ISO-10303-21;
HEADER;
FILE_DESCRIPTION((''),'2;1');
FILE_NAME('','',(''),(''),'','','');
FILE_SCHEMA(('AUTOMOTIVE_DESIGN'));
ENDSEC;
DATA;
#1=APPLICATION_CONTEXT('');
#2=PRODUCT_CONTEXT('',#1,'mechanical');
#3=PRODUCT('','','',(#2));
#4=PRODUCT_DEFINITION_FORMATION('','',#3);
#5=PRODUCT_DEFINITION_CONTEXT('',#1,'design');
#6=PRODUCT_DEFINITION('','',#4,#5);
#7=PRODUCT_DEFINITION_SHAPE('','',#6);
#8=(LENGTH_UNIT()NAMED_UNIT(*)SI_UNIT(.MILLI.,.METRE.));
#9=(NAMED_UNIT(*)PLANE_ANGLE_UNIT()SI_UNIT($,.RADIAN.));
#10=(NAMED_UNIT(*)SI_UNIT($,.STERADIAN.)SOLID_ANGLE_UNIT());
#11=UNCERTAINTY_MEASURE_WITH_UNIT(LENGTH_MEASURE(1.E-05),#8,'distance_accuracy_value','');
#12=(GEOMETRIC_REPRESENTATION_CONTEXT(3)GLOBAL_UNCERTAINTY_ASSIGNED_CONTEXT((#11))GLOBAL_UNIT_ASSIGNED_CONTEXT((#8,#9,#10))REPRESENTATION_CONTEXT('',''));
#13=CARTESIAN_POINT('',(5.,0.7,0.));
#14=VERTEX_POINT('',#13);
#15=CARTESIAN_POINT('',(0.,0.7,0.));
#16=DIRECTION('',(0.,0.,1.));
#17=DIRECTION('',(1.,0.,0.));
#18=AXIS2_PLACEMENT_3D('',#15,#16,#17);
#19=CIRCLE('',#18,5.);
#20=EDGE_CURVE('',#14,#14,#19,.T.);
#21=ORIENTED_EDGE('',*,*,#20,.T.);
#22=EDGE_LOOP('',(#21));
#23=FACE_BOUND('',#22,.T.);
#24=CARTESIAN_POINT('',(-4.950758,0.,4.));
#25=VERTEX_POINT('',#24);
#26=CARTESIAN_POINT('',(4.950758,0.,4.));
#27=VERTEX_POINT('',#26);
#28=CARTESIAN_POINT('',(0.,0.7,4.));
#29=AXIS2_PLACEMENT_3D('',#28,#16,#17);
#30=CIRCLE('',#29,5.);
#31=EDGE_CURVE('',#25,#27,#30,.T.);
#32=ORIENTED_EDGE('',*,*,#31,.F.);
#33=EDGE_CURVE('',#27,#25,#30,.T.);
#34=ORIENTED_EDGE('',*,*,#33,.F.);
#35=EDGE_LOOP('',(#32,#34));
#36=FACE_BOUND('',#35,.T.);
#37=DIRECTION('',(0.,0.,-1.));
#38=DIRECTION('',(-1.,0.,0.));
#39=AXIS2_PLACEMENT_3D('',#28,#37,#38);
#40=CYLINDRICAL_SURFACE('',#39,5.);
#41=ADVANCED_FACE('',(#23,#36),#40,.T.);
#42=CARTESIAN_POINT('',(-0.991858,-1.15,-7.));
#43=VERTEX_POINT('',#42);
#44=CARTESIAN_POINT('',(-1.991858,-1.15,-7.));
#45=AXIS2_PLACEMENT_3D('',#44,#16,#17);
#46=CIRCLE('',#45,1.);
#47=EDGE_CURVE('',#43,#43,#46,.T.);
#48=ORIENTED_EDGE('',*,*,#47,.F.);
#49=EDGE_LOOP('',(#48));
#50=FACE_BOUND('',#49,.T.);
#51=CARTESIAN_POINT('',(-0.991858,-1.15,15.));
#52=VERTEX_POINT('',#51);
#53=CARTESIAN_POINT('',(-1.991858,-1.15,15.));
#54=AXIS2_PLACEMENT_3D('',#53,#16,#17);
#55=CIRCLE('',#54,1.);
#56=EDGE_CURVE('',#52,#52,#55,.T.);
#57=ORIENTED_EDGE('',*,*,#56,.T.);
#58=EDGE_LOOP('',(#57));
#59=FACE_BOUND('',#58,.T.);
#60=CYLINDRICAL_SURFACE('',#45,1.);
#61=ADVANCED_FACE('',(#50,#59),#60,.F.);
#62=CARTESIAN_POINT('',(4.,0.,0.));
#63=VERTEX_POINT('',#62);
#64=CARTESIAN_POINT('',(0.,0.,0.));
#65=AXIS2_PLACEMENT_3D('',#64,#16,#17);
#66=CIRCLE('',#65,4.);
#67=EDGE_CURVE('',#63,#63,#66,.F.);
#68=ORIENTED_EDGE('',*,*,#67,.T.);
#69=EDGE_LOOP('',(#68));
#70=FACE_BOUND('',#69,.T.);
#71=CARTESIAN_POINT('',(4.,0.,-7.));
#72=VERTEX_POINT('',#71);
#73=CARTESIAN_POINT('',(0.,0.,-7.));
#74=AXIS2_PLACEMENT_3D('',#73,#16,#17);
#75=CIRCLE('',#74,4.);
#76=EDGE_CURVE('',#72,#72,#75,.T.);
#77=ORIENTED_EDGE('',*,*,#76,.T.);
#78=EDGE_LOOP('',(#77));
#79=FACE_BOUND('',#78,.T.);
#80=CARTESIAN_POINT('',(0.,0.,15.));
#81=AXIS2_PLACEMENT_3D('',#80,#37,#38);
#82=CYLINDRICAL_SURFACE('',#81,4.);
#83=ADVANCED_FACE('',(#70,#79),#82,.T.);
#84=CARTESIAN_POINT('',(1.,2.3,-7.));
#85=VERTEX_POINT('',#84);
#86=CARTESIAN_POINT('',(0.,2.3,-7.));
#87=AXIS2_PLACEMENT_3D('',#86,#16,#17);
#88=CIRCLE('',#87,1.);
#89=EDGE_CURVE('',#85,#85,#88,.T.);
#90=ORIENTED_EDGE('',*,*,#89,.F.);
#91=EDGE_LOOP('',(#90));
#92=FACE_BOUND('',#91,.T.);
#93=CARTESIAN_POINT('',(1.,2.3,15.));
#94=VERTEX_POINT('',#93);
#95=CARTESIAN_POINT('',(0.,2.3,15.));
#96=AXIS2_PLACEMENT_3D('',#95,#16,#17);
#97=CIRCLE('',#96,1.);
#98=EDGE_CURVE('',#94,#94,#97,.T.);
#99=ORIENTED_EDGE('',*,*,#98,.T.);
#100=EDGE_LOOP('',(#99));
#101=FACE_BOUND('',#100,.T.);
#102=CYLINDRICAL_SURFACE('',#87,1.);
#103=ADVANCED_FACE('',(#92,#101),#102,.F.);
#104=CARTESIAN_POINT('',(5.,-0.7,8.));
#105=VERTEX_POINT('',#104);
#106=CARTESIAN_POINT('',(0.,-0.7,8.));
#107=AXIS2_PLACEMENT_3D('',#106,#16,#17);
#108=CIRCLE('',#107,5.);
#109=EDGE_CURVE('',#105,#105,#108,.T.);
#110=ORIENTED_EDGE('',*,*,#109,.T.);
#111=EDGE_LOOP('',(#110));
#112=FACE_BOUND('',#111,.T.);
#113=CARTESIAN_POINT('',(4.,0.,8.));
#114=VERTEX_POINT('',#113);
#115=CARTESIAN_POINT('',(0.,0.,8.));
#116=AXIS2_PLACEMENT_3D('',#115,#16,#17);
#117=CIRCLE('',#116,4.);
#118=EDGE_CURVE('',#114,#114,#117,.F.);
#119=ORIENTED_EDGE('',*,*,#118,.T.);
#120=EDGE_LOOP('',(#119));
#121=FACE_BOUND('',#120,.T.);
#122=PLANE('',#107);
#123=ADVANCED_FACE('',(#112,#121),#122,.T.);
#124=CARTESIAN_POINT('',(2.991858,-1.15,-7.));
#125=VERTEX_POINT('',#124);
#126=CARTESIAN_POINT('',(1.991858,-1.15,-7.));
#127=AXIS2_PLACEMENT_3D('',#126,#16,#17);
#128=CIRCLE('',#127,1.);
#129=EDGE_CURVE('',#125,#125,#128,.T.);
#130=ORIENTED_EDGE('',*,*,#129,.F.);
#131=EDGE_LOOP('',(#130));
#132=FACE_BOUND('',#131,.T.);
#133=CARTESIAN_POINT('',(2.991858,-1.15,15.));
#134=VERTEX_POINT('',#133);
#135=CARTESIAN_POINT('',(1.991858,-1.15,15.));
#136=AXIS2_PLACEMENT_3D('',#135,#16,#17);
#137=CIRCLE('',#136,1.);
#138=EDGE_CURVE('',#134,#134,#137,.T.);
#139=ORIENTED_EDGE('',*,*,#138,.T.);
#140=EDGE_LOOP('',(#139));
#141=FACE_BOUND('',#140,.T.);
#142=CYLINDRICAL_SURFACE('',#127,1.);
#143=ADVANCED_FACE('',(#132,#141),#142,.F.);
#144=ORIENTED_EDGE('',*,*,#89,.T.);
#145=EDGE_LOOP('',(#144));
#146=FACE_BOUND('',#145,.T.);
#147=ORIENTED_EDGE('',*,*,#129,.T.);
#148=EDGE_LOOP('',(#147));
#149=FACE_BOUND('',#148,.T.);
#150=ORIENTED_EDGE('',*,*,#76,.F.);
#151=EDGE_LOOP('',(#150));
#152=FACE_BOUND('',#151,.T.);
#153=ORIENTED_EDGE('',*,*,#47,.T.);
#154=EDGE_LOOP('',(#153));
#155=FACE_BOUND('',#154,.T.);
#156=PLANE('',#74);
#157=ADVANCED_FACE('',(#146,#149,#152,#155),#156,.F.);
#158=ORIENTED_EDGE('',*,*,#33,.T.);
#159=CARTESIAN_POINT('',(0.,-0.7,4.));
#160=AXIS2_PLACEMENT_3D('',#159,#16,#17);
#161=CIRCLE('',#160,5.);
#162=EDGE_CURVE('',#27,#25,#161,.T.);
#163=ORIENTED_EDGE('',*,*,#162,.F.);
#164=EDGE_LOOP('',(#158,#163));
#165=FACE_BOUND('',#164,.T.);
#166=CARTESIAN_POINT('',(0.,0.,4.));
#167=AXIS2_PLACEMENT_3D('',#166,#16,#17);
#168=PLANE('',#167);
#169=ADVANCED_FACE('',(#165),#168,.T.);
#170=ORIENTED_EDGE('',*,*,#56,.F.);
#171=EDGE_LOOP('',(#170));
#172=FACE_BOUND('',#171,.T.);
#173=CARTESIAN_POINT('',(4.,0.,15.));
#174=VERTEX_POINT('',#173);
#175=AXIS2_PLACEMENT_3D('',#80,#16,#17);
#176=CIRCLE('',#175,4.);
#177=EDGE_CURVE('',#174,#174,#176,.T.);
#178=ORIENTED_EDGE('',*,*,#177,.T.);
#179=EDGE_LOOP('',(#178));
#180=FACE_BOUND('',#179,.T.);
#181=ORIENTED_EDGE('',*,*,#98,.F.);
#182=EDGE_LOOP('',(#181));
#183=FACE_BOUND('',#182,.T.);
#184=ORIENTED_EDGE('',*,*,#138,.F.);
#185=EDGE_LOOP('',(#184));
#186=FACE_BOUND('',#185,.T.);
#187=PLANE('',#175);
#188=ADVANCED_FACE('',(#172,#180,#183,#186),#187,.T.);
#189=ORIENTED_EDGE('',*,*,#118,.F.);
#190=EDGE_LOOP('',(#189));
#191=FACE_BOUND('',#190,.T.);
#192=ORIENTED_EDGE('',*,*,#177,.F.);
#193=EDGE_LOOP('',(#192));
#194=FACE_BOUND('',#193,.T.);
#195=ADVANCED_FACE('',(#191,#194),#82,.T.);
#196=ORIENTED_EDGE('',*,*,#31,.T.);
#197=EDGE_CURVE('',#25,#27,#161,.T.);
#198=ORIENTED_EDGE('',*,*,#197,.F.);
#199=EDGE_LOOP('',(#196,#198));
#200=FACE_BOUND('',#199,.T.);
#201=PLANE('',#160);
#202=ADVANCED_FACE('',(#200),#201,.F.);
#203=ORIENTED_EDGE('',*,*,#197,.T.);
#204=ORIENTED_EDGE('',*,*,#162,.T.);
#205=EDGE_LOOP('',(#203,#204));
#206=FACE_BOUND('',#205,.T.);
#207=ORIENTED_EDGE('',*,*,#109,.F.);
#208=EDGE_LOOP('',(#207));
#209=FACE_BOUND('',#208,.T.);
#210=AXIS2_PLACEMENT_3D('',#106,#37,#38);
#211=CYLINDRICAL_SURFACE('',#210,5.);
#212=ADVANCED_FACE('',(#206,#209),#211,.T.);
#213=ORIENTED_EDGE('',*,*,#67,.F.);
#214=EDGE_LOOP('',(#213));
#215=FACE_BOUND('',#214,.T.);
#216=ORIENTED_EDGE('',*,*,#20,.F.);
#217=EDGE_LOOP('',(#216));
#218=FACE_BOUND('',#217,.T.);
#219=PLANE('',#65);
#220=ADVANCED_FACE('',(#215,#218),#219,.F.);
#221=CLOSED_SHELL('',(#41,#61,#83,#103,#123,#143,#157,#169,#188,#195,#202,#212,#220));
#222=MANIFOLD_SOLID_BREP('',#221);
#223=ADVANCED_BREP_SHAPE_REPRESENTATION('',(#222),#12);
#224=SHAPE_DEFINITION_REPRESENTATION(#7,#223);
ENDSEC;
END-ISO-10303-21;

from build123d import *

# Parameters (mm, degrees)
SKETCH1_R                = 5
BOSS_EXTRUDE1_DEPTH      = 4
BOSS_EXTRUDE2_START      = 4
SKETCH2_R                = 5
BOSS_EXTRUDE2_DEPTH      = 4
BOSS_EXTRUDE5_DEPTH      = 15
BOSS_EXTRUDE5_DEPTH_BACK = 7
SKETCH5_R                = 4
CUT_EXTRUDE1_DEPTH       = 17.807438829
CUT_EXTRUDE1_DEPTH_BACK  = 17.807438829
SKETCH9_R                = 1


with BuildPart() as part:
    # Sketch1 → Boss-Extrude1 (new body)
    with BuildSketch(Plane.XY):
        with Locations((0, 0.7)):
            Circle(SKETCH1_R)
    extrude(amount=BOSS_EXTRUDE1_DEPTH)

    # Sketch2 → Boss-Extrude2 (add)
    with BuildSketch(Plane.XY.offset(BOSS_EXTRUDE2_START)):
        with Locations(Location((0, -0.7, 0), (0, 0, 171.952153753))):
            Circle(SKETCH2_R)
    extrude(amount=BOSS_EXTRUDE2_DEPTH)

    # Sketch5 → Boss-Extrude5 (add, two sides: drawn at the far end of the back side and taken through both)
    with BuildSketch(Plane.XY.offset(-BOSS_EXTRUDE5_DEPTH_BACK)):
        Circle(SKETCH5_R)
    extrude(amount=BOSS_EXTRUDE5_DEPTH + BOSS_EXTRUDE5_DEPTH_BACK)

    # Sketch9 → Cut-Extrude1 (cut, two sides: drawn at the far end of the back side and taken through both)
    with BuildSketch(Plane.XY.offset(-CUT_EXTRUDE1_DEPTH_BACK)):
        with BuildLine():
            ThreePointArc((0, 3.3), (-1, 2.3), (0, 1.3))
            Line((0, 1.3), (0, 3.3))
        make_face()
        with BuildLine():
            Line((0, 3.3), (0, 1.3))
            ThreePointArc((0, 1.3), (0.707106781, 1.592893219), (1, 2.3))
            ThreePointArc((1, 2.3), (0.707106781, 3.007106781), (0, 3.3))
        make_face()
        with Locations((-1.991858429, -1.15)):
            Circle(SKETCH9_R)
        with Locations((1.991858429, -1.15)):
            Circle(SKETCH9_R)
    extrude(amount=CUT_EXTRUDE1_DEPTH + CUT_EXTRUDE1_DEPTH_BACK, mode=Mode.SUBTRACT)


solid = part.part
